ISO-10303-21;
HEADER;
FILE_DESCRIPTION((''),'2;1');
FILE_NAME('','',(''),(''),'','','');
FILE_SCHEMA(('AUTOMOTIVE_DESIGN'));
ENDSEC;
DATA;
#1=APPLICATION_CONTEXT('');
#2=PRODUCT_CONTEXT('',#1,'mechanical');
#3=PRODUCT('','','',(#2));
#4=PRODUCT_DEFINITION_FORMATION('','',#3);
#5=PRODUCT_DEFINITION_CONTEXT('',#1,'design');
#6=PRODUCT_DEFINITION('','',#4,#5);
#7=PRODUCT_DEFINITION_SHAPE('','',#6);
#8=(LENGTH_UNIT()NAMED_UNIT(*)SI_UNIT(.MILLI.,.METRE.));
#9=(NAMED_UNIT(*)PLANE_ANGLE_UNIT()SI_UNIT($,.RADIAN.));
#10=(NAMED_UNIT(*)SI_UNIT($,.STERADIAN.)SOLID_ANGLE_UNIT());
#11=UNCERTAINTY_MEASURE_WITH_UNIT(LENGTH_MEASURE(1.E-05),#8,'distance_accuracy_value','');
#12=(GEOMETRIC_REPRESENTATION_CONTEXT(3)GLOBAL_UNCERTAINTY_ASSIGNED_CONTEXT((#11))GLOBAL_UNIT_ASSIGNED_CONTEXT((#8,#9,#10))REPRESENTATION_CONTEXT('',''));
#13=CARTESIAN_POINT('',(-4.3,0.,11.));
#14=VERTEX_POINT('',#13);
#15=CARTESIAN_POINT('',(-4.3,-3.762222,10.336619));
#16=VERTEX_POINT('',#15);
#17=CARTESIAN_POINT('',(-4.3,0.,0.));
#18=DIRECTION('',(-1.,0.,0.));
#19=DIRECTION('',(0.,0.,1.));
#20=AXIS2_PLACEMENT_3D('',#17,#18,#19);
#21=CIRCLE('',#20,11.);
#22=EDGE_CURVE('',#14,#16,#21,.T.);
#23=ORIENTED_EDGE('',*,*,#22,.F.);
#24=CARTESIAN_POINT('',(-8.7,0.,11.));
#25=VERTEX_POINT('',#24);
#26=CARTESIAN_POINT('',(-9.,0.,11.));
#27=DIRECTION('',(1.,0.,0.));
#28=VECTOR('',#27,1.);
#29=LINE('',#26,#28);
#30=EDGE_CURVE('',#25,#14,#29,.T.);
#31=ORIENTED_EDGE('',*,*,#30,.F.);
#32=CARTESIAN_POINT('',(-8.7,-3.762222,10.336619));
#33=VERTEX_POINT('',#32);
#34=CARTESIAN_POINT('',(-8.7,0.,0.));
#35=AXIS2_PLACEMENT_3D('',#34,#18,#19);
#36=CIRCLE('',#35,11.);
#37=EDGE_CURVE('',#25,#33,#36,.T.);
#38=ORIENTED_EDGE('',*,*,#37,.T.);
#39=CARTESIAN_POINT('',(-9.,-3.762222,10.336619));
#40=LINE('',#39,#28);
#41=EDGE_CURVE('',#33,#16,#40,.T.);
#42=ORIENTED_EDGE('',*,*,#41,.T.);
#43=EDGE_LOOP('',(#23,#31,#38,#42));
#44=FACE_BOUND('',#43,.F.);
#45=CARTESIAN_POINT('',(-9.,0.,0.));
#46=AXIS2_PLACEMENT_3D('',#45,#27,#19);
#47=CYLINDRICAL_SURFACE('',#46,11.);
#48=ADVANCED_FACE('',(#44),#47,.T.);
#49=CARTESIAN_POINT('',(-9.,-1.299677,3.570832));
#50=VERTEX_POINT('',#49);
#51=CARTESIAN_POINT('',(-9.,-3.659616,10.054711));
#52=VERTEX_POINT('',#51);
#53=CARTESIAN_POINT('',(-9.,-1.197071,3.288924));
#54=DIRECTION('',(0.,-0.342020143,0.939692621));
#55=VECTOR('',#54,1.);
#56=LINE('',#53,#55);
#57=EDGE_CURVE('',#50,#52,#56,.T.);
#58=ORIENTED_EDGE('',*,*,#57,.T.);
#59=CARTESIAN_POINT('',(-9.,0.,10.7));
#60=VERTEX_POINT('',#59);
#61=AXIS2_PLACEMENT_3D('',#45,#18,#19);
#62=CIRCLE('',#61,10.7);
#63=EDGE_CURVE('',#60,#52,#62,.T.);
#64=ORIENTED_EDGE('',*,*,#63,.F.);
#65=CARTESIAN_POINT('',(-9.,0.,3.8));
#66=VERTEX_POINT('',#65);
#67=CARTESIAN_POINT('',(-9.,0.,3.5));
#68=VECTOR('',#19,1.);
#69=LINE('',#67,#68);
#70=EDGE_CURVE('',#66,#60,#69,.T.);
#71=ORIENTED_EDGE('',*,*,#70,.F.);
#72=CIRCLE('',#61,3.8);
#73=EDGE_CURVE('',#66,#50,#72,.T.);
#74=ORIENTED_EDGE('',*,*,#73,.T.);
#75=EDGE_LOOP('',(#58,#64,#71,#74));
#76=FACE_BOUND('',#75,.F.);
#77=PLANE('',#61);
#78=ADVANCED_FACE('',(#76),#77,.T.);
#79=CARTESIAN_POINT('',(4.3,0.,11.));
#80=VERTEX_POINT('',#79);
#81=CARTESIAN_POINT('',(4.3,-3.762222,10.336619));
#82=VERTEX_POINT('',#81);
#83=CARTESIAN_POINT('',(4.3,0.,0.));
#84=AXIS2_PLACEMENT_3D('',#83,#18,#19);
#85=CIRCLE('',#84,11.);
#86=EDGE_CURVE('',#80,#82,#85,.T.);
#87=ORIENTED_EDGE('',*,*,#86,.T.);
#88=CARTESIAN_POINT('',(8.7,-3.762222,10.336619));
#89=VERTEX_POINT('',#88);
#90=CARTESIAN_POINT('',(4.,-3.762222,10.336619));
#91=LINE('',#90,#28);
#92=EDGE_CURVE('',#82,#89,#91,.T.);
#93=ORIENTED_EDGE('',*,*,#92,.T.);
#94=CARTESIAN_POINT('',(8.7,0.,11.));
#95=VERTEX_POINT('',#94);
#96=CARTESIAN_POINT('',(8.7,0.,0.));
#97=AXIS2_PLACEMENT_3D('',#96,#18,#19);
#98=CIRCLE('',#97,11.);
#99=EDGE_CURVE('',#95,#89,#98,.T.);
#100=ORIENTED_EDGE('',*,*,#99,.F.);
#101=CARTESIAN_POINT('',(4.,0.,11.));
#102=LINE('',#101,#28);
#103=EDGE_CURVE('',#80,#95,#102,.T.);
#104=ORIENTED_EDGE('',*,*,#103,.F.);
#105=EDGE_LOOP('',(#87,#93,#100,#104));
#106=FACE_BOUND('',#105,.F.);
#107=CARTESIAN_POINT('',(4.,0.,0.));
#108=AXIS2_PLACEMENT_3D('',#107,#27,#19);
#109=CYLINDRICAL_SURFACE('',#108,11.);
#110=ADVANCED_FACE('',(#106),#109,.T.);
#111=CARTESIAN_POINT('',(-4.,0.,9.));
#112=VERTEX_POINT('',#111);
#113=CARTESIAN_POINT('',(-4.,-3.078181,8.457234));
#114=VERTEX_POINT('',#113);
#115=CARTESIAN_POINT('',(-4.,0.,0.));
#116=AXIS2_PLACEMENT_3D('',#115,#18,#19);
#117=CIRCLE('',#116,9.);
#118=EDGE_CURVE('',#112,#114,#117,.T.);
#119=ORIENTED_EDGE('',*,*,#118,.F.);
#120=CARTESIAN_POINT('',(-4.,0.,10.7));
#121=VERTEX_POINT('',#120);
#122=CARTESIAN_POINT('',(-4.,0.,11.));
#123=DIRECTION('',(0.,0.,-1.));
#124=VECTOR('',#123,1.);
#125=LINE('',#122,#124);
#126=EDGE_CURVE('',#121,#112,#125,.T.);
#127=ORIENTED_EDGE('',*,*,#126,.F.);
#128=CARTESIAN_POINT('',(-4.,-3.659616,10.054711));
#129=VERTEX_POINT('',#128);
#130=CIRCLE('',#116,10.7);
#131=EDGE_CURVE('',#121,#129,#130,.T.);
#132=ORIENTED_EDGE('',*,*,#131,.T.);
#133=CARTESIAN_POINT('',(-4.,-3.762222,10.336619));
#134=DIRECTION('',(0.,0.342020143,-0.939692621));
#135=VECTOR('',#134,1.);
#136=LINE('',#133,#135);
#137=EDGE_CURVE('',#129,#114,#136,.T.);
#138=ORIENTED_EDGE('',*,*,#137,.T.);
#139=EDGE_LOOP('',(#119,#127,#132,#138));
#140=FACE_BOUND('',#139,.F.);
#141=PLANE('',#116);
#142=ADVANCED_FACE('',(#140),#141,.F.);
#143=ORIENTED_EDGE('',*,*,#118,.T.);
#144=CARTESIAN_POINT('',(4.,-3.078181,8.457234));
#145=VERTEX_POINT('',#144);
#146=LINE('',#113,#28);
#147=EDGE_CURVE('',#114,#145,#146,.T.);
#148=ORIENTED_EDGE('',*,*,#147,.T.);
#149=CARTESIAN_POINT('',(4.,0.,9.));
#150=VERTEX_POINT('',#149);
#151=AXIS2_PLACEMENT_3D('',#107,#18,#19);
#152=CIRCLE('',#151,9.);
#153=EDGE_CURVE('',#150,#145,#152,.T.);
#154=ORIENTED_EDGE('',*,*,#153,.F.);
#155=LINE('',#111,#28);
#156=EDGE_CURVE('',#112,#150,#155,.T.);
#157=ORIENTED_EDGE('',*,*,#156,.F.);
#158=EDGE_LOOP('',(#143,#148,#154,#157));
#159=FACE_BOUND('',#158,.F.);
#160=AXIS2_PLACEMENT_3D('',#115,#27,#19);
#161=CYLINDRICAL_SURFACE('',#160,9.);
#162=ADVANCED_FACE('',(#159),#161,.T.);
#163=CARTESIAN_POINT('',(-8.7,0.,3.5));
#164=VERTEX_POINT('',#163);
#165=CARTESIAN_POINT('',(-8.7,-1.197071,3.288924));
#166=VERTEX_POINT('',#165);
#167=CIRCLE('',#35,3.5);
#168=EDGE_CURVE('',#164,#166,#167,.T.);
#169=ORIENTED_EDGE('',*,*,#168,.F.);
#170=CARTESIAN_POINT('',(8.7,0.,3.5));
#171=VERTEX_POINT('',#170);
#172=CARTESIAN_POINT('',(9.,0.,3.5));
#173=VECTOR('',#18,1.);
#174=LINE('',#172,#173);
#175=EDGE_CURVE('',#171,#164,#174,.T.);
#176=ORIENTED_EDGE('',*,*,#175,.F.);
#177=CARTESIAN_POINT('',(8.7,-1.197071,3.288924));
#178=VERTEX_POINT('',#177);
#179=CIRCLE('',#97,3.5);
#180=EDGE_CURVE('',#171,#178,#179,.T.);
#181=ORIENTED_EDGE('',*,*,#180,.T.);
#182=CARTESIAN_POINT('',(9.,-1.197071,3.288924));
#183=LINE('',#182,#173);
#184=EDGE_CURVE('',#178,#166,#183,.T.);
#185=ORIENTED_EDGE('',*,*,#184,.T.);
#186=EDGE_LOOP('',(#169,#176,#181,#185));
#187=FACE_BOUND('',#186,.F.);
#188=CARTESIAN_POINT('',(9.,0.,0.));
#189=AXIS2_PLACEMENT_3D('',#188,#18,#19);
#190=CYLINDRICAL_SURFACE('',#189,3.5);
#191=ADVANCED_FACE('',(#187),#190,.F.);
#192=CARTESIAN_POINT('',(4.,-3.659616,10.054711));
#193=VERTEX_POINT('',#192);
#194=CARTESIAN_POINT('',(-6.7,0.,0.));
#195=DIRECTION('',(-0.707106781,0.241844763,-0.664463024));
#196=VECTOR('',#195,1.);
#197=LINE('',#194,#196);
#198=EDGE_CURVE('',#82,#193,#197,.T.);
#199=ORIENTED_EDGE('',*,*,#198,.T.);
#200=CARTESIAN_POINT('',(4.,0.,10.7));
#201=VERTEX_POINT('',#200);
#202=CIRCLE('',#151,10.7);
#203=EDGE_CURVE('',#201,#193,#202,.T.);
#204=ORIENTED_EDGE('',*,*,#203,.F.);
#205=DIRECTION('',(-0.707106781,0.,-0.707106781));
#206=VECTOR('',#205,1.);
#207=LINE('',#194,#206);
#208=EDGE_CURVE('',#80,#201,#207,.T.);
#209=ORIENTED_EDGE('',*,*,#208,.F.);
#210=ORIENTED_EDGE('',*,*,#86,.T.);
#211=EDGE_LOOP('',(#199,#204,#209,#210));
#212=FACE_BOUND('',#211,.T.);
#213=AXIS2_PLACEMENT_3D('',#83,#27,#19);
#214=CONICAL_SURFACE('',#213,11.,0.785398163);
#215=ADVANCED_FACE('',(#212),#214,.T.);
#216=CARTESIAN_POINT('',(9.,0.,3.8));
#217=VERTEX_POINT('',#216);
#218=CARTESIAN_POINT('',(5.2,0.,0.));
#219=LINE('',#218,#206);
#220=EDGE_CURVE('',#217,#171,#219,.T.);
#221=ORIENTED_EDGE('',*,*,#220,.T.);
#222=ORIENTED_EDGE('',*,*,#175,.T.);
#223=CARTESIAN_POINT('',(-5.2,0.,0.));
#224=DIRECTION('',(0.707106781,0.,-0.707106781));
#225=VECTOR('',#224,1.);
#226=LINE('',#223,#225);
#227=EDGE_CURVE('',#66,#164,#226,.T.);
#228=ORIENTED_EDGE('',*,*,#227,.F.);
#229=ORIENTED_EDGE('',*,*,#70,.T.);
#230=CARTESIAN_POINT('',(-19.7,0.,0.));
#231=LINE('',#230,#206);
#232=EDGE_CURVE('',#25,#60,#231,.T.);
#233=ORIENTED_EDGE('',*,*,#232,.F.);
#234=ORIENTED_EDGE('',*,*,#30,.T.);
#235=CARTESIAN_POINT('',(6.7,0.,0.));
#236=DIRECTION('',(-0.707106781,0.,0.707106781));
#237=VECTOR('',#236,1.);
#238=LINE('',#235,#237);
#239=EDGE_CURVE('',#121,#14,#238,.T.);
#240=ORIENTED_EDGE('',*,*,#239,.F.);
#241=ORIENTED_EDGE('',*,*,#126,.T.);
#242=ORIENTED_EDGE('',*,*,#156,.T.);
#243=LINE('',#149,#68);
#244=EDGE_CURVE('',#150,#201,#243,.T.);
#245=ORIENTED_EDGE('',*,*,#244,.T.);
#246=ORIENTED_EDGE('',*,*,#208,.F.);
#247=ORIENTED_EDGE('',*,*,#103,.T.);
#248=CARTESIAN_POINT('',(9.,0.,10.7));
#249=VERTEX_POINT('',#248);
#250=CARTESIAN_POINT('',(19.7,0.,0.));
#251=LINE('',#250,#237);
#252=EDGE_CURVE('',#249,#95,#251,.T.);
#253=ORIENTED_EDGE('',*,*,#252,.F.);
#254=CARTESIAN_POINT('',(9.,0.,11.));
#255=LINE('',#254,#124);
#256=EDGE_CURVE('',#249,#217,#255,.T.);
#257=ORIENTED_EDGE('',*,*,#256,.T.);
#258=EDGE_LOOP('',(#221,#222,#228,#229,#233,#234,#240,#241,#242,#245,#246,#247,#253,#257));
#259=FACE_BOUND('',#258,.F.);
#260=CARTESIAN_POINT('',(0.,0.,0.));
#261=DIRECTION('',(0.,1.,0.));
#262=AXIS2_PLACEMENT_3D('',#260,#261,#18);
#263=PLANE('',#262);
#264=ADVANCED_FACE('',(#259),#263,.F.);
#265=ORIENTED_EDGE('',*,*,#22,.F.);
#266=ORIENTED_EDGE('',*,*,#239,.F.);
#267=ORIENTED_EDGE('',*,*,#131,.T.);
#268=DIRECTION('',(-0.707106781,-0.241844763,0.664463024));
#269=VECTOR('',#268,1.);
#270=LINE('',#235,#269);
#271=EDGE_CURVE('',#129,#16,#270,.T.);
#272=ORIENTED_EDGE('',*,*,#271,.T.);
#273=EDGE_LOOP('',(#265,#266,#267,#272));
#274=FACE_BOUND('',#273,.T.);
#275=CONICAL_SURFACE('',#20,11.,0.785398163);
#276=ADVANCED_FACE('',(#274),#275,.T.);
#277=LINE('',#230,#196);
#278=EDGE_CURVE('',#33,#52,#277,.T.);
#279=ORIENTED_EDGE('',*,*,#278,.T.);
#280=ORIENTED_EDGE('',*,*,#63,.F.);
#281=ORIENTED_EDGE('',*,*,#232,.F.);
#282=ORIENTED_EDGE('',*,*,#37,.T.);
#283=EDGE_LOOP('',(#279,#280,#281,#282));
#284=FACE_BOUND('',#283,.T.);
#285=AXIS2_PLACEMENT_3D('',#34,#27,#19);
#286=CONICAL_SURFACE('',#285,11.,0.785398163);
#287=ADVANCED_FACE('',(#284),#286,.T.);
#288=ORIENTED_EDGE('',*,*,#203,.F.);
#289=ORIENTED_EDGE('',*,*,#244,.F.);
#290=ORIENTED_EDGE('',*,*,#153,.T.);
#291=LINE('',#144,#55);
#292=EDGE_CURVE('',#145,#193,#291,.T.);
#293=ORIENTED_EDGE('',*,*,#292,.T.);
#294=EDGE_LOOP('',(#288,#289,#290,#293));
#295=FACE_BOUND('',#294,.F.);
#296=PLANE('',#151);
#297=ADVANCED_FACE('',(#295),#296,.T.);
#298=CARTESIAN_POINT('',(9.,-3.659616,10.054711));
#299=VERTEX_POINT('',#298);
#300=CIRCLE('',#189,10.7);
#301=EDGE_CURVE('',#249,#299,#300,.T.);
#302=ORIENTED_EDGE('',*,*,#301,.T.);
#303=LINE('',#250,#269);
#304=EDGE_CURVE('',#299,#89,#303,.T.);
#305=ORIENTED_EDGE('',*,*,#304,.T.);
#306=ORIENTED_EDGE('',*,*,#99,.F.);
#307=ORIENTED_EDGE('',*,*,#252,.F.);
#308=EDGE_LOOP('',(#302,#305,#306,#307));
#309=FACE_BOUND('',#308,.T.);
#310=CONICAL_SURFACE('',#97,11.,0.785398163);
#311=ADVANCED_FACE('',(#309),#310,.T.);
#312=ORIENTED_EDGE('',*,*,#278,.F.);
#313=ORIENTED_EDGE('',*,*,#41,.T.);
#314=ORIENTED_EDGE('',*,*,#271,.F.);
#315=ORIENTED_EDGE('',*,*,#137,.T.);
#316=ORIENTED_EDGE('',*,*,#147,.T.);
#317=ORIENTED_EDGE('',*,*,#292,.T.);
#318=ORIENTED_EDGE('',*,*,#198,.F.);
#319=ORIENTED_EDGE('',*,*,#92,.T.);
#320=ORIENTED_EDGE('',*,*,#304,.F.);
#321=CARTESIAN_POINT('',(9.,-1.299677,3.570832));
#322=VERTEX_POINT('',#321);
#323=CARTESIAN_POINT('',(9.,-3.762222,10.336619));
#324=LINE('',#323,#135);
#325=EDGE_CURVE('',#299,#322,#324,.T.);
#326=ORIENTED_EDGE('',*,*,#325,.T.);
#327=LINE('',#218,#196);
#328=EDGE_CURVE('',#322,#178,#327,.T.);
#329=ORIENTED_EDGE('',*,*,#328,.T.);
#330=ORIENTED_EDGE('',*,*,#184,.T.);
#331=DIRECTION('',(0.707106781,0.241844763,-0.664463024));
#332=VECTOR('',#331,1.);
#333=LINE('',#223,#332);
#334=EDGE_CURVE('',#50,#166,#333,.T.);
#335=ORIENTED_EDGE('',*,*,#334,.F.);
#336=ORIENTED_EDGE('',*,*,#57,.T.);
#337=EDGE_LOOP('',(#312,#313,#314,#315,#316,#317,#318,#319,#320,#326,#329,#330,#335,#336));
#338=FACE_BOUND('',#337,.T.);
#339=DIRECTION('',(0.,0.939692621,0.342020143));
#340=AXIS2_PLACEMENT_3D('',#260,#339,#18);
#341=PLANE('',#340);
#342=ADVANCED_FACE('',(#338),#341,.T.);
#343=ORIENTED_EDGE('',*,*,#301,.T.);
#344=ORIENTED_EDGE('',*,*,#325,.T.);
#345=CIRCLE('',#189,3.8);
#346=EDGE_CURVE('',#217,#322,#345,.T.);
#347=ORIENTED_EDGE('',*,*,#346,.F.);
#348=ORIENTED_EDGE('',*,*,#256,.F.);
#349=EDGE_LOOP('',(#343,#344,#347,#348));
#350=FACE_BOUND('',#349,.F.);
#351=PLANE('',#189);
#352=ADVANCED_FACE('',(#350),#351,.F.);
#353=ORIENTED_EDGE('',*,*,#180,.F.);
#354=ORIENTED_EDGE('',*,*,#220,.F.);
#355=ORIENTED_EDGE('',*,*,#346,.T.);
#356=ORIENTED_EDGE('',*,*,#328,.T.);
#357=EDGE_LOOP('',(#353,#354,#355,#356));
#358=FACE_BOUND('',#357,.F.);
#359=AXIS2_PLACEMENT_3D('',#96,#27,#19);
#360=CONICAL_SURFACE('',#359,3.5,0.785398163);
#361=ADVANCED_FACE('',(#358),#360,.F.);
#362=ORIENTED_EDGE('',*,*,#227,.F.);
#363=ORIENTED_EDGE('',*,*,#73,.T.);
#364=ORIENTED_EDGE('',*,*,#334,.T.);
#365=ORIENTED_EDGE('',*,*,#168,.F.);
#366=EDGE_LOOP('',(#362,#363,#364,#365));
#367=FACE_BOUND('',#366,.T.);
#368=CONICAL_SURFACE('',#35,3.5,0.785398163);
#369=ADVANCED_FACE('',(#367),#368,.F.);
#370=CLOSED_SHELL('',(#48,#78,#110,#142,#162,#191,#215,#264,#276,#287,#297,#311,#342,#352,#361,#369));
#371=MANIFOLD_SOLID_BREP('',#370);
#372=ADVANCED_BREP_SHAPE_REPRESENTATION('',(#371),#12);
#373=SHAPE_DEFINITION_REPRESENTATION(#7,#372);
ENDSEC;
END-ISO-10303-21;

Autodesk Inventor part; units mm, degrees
ref_plane "YZ Plane" through (0, 0, 0) normal (1, 0, 0) x (0, 1, 0)
ref_plane "XZ Plane" through (0, 0, 0) normal (0, 1, 0) x (-1, 0, 0)
ref_plane "XY Plane" through (0, 0, 0) normal (0, 0, 1) x (1, 0, 0)
sketch "Sketch1" plane through (0, 0, 0) normal (0, 1, 0) x (-1, 0, 0)
  line L0 (-9, 0) -> (9, 0)
  line L1 (-9, 3.5) -> (9, 3.5)
  line L2 (9, 3.5) -> (9, 11)
  line L3 (9, 11) -> (4, 11)
  line L4 (4, 11) -> (4, 9)
  line L5 (4, 9) -> (-4, 9)
  line L6 (-4, 9) -> (-4, 11)
  line L7 (-4, 11) -> (-9, 11)
  line L8 (-9, 11) -> (-9, 3.5)
  point P0 (0, 0)
  point P1 (0, 9)
  point P2 (0, 3.5)
  dimension "d0" = 18
  dimension "d1" = 8
  dimension "d2" = 7
  dimension "d3" = 22
  dimension "d4" = 2
revolve "Revolution1" add sketch "Sketch1" angle 340 about axis through (9, 0, 0) along (-1, 0, 0)
chamfer "Chamfer1" distance 0.3 angle 45 6 edges at (-4, 1.9101, -10.8329) (4, 1.9101, -10.8329) (9, 1.9101, -10.8329) (-9, 1.9101, -10.8329) (9, 0.6078, -3.4468) (-9, 0.6078, -3.4468)
properties part number "coupling_tie" material "ABS Plastic"
